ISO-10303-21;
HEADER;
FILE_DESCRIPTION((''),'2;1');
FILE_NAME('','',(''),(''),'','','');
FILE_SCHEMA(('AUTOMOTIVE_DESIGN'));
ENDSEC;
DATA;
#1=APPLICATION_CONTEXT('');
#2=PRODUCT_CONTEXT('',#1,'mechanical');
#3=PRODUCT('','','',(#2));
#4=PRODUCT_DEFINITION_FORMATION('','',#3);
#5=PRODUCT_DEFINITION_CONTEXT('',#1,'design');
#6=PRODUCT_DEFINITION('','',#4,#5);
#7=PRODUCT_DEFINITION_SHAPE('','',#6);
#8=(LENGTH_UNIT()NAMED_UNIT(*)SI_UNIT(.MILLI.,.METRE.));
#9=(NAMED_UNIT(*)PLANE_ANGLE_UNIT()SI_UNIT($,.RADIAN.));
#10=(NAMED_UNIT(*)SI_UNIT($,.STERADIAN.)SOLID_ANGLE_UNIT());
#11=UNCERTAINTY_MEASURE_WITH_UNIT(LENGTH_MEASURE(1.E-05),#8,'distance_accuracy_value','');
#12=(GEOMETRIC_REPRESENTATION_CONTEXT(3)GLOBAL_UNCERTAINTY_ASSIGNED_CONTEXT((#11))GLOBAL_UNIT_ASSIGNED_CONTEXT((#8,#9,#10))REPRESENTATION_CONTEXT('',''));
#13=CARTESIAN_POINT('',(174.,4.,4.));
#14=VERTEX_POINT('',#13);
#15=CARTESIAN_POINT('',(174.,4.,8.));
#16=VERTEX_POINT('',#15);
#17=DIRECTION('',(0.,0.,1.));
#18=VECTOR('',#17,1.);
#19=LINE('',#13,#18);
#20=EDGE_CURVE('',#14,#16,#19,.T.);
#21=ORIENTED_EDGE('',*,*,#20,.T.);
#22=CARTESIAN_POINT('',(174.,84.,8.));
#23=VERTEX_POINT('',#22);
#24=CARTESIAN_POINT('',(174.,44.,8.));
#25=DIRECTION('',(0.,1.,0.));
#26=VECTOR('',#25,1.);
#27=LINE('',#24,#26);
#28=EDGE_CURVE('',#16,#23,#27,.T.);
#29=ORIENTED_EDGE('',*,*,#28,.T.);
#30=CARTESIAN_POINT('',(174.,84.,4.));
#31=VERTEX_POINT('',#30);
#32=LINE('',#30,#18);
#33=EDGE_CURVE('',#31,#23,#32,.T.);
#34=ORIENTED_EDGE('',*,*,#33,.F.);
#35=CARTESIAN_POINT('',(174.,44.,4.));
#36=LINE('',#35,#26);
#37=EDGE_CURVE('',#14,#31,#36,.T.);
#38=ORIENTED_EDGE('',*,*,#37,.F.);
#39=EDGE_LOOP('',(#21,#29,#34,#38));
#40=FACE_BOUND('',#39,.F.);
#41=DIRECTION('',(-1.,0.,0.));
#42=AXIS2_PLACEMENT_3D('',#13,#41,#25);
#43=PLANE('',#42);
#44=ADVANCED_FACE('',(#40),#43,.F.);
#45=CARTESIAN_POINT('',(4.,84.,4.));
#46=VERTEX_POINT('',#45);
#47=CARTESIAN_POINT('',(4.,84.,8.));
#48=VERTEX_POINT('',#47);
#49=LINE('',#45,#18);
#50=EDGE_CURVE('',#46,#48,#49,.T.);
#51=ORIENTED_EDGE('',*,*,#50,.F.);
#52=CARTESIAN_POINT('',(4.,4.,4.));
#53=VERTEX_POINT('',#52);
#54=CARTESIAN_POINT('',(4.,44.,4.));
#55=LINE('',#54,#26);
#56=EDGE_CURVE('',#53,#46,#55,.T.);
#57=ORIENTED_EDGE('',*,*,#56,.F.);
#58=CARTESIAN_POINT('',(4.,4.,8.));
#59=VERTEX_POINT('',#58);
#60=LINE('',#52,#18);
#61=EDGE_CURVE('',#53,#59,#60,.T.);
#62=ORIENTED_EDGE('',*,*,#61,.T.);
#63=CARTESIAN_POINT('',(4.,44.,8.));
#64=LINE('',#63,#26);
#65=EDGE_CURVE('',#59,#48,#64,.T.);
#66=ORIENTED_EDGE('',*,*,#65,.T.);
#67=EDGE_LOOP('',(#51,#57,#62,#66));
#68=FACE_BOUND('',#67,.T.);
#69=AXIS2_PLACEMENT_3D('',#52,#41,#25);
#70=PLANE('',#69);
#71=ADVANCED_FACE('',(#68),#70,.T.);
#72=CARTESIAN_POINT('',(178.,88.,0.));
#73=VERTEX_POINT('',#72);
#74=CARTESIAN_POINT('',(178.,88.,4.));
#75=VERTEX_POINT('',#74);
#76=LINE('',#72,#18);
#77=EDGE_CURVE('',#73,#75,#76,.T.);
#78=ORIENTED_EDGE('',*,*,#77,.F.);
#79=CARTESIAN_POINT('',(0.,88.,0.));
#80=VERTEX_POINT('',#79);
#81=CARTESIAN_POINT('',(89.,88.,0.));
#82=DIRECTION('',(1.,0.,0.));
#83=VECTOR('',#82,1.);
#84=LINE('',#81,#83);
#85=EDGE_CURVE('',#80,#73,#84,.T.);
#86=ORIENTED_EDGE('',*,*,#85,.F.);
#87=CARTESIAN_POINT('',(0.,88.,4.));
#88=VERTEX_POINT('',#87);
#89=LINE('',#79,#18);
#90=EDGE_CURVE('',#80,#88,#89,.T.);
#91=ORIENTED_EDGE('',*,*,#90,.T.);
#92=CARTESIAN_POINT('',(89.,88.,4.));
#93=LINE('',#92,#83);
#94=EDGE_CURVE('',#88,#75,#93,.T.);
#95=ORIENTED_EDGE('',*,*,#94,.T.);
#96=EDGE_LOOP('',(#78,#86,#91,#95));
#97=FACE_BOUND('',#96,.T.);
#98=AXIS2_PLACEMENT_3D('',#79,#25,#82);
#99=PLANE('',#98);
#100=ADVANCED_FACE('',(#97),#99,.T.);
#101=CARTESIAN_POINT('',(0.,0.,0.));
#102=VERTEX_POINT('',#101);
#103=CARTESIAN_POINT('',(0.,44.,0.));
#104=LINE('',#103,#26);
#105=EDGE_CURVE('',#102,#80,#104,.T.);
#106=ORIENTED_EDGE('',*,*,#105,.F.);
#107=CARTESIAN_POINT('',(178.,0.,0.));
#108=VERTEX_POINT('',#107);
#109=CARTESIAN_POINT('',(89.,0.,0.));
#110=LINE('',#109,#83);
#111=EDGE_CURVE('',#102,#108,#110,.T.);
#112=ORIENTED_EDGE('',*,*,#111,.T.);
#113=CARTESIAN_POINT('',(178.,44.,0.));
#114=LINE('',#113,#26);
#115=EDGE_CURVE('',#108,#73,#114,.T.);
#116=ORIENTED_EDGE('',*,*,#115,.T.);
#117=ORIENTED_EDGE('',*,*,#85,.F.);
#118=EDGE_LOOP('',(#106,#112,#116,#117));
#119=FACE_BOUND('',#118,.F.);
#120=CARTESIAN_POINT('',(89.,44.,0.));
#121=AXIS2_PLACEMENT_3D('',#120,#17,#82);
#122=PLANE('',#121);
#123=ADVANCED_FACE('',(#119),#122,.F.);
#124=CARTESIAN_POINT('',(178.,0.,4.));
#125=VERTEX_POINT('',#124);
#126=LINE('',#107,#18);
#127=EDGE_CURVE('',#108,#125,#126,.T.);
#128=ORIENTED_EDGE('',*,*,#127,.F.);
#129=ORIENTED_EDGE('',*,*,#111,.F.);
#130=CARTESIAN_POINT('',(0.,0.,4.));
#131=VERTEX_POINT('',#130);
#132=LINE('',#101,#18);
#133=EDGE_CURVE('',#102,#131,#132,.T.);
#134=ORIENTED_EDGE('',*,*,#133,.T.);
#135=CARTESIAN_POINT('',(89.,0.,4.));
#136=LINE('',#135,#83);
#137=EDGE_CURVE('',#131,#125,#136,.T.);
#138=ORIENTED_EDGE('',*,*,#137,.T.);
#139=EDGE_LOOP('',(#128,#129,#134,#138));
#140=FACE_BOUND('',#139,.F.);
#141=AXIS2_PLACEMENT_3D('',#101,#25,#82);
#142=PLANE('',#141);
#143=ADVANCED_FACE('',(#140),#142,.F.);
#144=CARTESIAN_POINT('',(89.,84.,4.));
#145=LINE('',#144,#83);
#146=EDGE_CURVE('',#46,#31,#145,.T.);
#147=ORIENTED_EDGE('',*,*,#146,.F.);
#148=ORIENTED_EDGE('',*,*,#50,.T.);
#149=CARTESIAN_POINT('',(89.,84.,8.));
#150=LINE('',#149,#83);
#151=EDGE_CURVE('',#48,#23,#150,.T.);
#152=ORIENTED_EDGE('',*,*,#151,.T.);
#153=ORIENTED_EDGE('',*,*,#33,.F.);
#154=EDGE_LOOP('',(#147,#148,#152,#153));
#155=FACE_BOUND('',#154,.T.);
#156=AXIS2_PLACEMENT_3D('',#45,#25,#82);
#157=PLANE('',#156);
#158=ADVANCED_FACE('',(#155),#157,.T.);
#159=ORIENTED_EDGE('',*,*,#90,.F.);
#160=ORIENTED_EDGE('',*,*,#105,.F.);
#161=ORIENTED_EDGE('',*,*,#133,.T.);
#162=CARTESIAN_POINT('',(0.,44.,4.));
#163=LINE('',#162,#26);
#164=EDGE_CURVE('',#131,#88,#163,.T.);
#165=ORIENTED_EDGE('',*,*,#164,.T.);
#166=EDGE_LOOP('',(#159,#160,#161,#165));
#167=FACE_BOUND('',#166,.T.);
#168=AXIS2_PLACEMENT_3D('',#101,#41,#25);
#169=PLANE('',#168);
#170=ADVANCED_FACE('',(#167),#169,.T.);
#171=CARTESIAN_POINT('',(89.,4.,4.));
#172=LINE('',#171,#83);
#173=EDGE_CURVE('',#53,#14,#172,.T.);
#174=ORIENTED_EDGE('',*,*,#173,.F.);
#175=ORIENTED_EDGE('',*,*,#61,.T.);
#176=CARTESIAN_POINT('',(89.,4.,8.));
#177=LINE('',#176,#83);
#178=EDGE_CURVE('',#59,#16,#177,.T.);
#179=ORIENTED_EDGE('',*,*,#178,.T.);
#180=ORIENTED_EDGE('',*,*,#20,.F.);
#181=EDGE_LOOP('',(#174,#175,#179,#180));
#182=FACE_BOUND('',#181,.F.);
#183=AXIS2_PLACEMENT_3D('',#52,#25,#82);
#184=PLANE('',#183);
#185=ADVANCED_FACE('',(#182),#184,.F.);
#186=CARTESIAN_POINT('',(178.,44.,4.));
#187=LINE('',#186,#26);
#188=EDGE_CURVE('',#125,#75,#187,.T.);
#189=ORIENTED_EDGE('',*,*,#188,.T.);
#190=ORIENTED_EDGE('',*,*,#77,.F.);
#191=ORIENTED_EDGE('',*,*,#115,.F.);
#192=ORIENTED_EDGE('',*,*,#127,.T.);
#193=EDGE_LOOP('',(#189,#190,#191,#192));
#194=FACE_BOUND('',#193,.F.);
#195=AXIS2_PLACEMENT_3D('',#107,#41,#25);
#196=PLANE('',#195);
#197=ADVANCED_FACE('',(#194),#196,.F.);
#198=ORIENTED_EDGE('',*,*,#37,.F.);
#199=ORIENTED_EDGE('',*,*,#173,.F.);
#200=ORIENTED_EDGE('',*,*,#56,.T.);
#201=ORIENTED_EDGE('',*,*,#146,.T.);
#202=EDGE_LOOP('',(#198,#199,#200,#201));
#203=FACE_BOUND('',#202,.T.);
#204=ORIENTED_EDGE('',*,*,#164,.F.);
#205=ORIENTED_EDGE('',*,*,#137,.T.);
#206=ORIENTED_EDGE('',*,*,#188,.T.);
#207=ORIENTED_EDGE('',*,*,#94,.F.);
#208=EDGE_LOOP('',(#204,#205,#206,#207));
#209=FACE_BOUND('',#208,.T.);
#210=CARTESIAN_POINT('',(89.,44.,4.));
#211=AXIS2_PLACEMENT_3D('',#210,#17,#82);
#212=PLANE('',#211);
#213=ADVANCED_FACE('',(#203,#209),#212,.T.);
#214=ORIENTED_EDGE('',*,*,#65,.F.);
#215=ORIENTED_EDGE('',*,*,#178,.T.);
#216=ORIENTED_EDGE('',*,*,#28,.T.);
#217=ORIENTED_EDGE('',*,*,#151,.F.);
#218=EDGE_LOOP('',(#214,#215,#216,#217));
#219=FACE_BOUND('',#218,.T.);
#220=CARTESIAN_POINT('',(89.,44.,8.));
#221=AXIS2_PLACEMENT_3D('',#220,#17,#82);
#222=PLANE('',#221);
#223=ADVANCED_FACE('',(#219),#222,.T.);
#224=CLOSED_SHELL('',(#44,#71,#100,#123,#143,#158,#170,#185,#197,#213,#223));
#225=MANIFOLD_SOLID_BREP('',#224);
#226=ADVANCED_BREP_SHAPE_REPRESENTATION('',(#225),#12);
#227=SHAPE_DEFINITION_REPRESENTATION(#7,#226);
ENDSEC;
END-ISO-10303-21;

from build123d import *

# Parameters (mm, degrees)
SKETCH_W     = 178
SKETCH_H     = 88
PAD_DEPTH    = 4
SKETCH001_W  = 170
SKETCH001_H  = 80
PAD001_DEPTH = 4


with BuildPart() as part:
    # Sketch → Pad (new body)
    with BuildSketch(Plane.XY):
        with Locations((89, 44)):
            Rectangle(SKETCH_W, SKETCH_H)
    extrude(amount=PAD_DEPTH)

    # Sketch001 (on Face6 of Pad) → Pad001 (join)
    with BuildSketch(Plane.XY.offset(4)):
        with Locations((89, 44)):
            Rectangle(SKETCH001_W, SKETCH001_H)
    extrude(amount=PAD001_DEPTH)


solid = part.part
